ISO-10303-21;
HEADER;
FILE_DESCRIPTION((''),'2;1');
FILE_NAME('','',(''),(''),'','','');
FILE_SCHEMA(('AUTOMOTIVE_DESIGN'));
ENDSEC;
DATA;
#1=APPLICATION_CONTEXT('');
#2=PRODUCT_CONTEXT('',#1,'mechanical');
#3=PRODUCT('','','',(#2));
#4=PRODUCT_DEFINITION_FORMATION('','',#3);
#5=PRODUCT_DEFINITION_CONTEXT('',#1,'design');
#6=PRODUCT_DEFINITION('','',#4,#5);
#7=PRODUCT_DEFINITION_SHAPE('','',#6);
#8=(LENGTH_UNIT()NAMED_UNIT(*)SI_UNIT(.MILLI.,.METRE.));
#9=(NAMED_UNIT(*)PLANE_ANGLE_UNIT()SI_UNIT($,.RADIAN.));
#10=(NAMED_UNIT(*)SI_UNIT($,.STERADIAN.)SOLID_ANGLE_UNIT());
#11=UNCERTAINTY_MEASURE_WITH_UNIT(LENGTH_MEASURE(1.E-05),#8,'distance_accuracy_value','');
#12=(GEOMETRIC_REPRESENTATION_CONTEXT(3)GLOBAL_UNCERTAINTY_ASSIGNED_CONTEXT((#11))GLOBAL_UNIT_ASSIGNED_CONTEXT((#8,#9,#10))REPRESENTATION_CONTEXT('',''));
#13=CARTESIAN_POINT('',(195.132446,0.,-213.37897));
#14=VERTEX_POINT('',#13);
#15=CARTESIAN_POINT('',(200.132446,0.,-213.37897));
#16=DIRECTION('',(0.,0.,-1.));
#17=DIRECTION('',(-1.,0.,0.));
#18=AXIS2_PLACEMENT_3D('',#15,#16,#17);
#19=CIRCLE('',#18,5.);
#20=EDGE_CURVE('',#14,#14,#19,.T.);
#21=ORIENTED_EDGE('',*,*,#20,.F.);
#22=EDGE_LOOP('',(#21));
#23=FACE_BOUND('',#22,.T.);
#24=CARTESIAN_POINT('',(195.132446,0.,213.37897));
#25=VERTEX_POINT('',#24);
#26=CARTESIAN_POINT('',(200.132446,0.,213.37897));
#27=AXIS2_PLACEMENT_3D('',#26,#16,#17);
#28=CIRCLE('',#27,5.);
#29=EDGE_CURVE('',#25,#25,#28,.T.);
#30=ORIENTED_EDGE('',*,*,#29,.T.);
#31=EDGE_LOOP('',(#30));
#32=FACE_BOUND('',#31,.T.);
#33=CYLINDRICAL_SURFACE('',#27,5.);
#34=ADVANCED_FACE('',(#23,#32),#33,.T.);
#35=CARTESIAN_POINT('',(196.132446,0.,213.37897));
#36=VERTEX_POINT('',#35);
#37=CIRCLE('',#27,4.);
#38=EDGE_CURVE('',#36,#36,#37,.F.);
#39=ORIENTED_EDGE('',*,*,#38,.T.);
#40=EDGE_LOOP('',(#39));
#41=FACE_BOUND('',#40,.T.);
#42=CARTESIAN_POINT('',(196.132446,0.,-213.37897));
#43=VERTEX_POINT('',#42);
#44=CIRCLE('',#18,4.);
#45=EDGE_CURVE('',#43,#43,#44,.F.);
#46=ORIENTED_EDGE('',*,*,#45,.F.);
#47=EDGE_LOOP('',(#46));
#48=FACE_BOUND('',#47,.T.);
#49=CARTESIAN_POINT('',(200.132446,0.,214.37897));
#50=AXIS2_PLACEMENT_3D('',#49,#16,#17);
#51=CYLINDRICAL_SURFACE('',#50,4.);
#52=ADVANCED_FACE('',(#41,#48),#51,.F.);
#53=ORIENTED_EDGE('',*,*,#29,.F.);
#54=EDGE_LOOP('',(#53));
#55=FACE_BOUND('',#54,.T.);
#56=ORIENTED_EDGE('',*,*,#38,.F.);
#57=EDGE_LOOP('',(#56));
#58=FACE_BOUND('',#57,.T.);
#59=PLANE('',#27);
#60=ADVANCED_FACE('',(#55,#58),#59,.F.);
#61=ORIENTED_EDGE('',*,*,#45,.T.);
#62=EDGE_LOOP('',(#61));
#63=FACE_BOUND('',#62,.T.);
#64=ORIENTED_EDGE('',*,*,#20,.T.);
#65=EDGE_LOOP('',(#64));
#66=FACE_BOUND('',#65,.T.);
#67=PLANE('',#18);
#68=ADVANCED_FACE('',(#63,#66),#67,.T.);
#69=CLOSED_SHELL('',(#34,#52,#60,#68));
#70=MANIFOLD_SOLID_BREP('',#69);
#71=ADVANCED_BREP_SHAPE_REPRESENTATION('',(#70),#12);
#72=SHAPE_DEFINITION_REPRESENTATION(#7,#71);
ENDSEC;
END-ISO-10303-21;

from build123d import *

# Parameters (mm, degrees)
SWEEP1_PROFILE_R     = 5
CUT_SWEEP1_PROFILE_R = 4


with BuildPart() as part:
    # Sweep1: sweep along a path in Sketch32
    with BuildLine(Plane(origin=(0, 0, 0), x_dir=(1, 0, 0), z_dir=(0, 1, 0))) as sweep1_path:
        Line((200.132445986, -213.37896957), (200.132445986, 213.37896957))
    # Sweep1 profile (on start of the path) → Sweep1 (sweep)
    with BuildSketch(Plane(origin=(200.132445986, 0, 213.37896957), x_dir=(-1, 0, 0), z_dir=(0, 0, -1))):
        Circle(SWEEP1_PROFILE_R)
    sweep(path=sweep1_path.line)

    # Cut-Sweep1: sweep along a path in Sketch32<2>
    with BuildLine(Plane(origin=(0, 0, 0), x_dir=(1, 0, 0), z_dir=(0, 1, 0))) as cut_sweep1_path:
        Line((200.132445986, -213.37896957), (200.132445986, 213.37896957))
    # Cut-Sweep1 profile (on start of the path) → Cut-Sweep1 (sweep, cut)
    with BuildSketch(Plane(origin=(200.132445986, 0, 213.37896957), x_dir=(-1, 0, 0), z_dir=(0, 0, -1))):
        Circle(CUT_SWEEP1_PROFILE_R)
    sweep(path=cut_sweep1_path.line, mode=Mode.SUBTRACT)


solid = part.part
